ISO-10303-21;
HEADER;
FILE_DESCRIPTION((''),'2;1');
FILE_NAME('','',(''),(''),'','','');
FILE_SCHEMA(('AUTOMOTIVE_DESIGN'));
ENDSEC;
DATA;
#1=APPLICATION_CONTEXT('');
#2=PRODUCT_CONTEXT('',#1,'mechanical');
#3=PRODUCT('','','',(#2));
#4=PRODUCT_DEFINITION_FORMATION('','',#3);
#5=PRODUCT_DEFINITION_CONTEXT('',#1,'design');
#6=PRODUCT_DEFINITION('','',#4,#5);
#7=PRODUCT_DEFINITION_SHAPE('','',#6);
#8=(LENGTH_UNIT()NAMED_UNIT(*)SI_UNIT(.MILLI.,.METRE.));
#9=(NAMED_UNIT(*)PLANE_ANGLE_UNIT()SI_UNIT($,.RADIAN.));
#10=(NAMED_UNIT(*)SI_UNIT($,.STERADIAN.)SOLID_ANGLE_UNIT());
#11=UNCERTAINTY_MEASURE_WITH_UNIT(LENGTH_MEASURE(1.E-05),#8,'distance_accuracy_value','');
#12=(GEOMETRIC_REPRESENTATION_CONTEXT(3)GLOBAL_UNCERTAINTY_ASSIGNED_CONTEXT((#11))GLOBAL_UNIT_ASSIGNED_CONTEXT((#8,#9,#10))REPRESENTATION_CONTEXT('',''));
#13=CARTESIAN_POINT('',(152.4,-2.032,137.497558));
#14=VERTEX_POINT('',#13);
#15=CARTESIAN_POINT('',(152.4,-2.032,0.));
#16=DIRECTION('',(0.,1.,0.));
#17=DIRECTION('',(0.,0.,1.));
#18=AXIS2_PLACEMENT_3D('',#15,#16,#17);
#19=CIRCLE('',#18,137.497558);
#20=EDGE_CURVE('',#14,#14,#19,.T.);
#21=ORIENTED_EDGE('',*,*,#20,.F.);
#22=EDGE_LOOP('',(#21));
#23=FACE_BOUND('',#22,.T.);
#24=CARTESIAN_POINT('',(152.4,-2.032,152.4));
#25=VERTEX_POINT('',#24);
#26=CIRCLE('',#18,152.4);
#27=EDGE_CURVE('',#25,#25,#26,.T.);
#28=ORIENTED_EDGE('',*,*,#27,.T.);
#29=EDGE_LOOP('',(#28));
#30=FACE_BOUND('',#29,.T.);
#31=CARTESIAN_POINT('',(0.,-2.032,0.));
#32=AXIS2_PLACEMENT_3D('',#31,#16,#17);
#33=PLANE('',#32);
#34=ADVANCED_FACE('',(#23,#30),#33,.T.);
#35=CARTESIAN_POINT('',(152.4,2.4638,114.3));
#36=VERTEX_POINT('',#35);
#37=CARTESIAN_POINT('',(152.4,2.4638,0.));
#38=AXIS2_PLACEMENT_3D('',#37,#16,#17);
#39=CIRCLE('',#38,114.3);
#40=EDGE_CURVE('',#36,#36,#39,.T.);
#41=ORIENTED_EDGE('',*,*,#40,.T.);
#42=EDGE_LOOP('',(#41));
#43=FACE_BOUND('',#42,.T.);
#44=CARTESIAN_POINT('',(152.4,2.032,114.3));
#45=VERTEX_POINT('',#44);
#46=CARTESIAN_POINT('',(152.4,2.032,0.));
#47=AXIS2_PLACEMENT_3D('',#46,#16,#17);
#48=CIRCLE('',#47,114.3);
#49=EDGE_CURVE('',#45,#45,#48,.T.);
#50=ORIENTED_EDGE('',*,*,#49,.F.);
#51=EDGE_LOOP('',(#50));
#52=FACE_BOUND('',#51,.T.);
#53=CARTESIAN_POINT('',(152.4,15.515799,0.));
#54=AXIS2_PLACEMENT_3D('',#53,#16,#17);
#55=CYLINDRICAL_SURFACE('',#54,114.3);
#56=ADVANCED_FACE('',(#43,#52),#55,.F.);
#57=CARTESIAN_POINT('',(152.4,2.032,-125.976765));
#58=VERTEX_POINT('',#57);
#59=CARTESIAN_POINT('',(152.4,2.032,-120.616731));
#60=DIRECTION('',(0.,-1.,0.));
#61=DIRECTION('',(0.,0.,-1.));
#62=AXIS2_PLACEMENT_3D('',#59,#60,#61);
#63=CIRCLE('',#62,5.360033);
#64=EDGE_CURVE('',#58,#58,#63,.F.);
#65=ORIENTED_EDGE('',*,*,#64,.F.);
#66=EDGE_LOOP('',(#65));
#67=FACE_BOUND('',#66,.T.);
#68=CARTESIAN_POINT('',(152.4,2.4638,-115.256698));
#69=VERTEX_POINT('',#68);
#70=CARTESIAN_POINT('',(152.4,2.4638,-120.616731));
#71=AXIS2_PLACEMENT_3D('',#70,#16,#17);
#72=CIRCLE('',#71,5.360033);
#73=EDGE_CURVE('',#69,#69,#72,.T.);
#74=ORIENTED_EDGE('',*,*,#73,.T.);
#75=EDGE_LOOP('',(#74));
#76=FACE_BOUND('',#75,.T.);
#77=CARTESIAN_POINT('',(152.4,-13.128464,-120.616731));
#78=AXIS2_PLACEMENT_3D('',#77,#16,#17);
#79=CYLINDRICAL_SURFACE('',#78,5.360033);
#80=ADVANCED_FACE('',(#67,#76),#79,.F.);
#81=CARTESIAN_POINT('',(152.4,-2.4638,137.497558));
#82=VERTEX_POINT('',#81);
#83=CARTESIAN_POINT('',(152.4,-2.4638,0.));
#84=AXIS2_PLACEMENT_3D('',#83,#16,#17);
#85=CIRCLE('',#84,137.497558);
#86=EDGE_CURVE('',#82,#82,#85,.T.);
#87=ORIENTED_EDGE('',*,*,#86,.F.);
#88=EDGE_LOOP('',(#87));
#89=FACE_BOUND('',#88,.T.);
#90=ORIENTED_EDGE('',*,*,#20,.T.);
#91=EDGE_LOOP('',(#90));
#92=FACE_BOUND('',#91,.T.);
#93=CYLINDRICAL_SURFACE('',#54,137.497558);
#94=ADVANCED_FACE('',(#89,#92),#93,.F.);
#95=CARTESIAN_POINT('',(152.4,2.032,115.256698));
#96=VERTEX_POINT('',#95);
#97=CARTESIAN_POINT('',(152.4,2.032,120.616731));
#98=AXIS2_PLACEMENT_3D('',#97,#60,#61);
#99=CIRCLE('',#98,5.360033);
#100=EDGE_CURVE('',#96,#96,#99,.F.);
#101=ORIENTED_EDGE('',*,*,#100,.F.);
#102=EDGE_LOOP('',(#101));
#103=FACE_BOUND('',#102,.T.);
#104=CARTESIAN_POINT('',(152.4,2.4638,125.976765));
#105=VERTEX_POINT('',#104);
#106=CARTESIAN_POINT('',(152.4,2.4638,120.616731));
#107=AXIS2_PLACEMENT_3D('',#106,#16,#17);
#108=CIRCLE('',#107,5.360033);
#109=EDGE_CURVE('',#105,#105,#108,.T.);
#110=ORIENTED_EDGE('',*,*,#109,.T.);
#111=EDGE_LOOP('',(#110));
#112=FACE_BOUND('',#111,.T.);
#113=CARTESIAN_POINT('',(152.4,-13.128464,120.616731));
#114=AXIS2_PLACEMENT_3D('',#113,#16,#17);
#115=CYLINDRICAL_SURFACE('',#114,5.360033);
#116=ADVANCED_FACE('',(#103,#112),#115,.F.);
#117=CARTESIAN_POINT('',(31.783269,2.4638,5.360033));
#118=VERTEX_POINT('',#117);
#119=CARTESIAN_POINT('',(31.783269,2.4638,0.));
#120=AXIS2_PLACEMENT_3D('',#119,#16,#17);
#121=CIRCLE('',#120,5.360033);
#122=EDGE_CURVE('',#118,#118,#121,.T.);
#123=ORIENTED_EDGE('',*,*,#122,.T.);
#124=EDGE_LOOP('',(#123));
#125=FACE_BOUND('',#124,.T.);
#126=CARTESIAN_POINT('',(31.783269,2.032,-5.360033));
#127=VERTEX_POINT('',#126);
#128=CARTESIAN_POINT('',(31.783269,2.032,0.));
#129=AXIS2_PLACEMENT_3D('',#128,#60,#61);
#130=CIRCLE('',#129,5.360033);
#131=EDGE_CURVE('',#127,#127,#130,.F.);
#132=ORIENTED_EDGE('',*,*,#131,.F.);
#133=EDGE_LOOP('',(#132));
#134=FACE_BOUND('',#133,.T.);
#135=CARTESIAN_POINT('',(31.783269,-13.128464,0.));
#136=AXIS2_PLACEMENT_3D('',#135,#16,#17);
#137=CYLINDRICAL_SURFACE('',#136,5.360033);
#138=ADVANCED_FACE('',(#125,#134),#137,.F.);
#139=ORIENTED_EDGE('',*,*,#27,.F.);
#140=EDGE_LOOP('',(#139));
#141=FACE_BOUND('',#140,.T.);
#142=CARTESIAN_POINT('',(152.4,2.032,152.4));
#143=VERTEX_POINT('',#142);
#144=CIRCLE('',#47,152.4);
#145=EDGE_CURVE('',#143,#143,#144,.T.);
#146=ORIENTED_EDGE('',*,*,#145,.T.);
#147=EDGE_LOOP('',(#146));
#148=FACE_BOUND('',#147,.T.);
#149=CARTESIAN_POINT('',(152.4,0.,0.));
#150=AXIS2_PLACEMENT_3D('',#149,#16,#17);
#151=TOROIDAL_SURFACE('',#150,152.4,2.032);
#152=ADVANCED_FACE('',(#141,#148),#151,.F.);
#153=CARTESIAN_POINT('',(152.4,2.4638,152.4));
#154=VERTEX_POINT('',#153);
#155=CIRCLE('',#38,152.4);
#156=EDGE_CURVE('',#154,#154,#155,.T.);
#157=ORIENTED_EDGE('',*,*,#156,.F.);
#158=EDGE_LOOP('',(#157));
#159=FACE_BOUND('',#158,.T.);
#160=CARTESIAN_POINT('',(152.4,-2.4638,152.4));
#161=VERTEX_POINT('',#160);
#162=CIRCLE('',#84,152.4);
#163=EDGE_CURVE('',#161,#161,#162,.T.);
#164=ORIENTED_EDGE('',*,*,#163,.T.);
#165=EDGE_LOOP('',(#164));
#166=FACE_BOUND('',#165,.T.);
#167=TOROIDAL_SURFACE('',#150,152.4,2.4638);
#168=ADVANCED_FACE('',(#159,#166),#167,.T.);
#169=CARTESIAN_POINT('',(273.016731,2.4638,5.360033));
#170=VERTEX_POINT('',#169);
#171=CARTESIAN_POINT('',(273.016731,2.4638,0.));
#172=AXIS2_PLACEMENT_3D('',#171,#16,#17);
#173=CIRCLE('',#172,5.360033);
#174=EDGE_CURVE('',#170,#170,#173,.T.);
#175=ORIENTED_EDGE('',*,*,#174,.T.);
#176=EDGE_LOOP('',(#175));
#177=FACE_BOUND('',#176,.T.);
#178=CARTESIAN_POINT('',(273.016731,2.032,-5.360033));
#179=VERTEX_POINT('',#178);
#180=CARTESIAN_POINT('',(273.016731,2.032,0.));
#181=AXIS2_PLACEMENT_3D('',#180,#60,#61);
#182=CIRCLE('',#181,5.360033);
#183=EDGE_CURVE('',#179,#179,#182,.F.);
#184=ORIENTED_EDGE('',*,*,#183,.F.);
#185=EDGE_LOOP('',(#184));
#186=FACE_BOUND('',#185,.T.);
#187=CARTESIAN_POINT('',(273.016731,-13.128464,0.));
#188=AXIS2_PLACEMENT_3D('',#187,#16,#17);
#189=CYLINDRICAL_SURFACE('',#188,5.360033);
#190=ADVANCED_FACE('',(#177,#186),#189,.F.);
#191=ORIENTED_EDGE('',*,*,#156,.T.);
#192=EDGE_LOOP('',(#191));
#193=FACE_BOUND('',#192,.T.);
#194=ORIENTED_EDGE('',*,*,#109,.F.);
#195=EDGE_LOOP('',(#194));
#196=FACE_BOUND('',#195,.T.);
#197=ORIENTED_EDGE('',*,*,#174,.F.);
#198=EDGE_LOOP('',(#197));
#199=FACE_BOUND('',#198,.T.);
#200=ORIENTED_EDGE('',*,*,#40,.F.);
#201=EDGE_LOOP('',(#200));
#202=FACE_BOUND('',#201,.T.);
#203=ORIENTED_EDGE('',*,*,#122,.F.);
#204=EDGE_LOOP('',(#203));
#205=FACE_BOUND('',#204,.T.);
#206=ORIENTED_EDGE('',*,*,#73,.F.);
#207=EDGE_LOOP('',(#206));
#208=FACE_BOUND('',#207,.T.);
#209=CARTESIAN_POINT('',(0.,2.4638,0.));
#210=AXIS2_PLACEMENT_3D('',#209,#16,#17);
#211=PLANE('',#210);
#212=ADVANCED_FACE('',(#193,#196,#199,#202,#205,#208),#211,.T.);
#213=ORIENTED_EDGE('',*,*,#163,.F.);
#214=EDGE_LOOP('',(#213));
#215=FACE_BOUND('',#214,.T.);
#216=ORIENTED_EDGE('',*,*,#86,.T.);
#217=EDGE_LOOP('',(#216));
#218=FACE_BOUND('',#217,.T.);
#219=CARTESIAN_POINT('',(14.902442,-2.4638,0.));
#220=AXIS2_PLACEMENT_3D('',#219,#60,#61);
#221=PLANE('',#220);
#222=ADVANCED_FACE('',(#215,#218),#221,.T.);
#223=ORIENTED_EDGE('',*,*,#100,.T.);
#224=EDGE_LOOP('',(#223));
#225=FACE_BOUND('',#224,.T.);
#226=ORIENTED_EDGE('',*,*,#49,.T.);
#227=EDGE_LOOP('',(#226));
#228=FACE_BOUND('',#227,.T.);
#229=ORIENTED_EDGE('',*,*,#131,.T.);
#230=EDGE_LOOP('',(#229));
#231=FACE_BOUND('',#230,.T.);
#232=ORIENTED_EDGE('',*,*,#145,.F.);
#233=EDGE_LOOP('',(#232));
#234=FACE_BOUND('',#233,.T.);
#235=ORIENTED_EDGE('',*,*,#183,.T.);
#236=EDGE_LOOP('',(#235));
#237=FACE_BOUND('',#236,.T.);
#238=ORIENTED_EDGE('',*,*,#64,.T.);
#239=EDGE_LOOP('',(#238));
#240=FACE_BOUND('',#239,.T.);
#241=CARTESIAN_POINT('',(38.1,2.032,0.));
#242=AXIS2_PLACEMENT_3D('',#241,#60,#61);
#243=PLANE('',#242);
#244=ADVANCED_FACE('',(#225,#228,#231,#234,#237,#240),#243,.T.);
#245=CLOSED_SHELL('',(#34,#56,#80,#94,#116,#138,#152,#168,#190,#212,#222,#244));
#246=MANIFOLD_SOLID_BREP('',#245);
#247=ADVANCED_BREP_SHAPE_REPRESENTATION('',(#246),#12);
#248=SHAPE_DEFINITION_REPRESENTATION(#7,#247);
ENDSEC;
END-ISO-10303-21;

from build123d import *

# Parameters (mm, degrees)
SKETCH3_R          = 5.360033356
CUT_EXTRUDE1_DEPTH = 0.4318


with BuildPart() as part:
    # Sketch2 → Revolve1 (revolve)
    with BuildSketch(Plane.XY, mode=Mode.PRIVATE) as revolve1_sk:
        with BuildLine():
            Line((0, 2.4638), (38.1, 2.4638))
            Line((38.1, 2.4638), (38.1, 2.032))
            Line((38.1, 2.032), (0, 2.032))
            ThreePointArc((0, 2.032), (-2.032, 0), (0, -2.032))
            Line((0, -2.032), (14.902441519, -2.032))
            Line((14.902441519, -2.032), (14.902441519, -2.4638))
            Line((14.902441519, -2.4638), (0, -2.4638))
            ThreePointArc((0, -2.4638), (-2.4638, 0), (0, 2.4638))
        make_face()
    revolve(revolve1_sk.sketch.rotate(Axis((152.4, 15.515798555, 0), (0, -1, 0)), 270), axis=Axis((152.4, 15.515798555, 0), (0, -1, 0)))

    # Sketch3 → Cut-Extrude1 (cut)
    with BuildSketch(Plane(origin=(0, 2.4638, 0), x_dir=(1, 0, 0), z_dir=(0, 1, 0))):
        with Locations(Location((31.78326852, 0, 0), (0, 0, 270))):
            Circle(SKETCH3_R)
        with Locations(Location((152.4, 120.61673148, 0), (0, 0, 270))):
            Circle(SKETCH3_R)
        with Locations(Location((273.01673148, 0, 0), (0, 0, 270))):
            Circle(SKETCH3_R)
        with Locations(Location((152.4, -120.61673148, 0), (0, 0, 270))):
            Circle(SKETCH3_R)
    extrude(amount=-CUT_EXTRUDE1_DEPTH, mode=Mode.SUBTRACT)


solid = part.part
